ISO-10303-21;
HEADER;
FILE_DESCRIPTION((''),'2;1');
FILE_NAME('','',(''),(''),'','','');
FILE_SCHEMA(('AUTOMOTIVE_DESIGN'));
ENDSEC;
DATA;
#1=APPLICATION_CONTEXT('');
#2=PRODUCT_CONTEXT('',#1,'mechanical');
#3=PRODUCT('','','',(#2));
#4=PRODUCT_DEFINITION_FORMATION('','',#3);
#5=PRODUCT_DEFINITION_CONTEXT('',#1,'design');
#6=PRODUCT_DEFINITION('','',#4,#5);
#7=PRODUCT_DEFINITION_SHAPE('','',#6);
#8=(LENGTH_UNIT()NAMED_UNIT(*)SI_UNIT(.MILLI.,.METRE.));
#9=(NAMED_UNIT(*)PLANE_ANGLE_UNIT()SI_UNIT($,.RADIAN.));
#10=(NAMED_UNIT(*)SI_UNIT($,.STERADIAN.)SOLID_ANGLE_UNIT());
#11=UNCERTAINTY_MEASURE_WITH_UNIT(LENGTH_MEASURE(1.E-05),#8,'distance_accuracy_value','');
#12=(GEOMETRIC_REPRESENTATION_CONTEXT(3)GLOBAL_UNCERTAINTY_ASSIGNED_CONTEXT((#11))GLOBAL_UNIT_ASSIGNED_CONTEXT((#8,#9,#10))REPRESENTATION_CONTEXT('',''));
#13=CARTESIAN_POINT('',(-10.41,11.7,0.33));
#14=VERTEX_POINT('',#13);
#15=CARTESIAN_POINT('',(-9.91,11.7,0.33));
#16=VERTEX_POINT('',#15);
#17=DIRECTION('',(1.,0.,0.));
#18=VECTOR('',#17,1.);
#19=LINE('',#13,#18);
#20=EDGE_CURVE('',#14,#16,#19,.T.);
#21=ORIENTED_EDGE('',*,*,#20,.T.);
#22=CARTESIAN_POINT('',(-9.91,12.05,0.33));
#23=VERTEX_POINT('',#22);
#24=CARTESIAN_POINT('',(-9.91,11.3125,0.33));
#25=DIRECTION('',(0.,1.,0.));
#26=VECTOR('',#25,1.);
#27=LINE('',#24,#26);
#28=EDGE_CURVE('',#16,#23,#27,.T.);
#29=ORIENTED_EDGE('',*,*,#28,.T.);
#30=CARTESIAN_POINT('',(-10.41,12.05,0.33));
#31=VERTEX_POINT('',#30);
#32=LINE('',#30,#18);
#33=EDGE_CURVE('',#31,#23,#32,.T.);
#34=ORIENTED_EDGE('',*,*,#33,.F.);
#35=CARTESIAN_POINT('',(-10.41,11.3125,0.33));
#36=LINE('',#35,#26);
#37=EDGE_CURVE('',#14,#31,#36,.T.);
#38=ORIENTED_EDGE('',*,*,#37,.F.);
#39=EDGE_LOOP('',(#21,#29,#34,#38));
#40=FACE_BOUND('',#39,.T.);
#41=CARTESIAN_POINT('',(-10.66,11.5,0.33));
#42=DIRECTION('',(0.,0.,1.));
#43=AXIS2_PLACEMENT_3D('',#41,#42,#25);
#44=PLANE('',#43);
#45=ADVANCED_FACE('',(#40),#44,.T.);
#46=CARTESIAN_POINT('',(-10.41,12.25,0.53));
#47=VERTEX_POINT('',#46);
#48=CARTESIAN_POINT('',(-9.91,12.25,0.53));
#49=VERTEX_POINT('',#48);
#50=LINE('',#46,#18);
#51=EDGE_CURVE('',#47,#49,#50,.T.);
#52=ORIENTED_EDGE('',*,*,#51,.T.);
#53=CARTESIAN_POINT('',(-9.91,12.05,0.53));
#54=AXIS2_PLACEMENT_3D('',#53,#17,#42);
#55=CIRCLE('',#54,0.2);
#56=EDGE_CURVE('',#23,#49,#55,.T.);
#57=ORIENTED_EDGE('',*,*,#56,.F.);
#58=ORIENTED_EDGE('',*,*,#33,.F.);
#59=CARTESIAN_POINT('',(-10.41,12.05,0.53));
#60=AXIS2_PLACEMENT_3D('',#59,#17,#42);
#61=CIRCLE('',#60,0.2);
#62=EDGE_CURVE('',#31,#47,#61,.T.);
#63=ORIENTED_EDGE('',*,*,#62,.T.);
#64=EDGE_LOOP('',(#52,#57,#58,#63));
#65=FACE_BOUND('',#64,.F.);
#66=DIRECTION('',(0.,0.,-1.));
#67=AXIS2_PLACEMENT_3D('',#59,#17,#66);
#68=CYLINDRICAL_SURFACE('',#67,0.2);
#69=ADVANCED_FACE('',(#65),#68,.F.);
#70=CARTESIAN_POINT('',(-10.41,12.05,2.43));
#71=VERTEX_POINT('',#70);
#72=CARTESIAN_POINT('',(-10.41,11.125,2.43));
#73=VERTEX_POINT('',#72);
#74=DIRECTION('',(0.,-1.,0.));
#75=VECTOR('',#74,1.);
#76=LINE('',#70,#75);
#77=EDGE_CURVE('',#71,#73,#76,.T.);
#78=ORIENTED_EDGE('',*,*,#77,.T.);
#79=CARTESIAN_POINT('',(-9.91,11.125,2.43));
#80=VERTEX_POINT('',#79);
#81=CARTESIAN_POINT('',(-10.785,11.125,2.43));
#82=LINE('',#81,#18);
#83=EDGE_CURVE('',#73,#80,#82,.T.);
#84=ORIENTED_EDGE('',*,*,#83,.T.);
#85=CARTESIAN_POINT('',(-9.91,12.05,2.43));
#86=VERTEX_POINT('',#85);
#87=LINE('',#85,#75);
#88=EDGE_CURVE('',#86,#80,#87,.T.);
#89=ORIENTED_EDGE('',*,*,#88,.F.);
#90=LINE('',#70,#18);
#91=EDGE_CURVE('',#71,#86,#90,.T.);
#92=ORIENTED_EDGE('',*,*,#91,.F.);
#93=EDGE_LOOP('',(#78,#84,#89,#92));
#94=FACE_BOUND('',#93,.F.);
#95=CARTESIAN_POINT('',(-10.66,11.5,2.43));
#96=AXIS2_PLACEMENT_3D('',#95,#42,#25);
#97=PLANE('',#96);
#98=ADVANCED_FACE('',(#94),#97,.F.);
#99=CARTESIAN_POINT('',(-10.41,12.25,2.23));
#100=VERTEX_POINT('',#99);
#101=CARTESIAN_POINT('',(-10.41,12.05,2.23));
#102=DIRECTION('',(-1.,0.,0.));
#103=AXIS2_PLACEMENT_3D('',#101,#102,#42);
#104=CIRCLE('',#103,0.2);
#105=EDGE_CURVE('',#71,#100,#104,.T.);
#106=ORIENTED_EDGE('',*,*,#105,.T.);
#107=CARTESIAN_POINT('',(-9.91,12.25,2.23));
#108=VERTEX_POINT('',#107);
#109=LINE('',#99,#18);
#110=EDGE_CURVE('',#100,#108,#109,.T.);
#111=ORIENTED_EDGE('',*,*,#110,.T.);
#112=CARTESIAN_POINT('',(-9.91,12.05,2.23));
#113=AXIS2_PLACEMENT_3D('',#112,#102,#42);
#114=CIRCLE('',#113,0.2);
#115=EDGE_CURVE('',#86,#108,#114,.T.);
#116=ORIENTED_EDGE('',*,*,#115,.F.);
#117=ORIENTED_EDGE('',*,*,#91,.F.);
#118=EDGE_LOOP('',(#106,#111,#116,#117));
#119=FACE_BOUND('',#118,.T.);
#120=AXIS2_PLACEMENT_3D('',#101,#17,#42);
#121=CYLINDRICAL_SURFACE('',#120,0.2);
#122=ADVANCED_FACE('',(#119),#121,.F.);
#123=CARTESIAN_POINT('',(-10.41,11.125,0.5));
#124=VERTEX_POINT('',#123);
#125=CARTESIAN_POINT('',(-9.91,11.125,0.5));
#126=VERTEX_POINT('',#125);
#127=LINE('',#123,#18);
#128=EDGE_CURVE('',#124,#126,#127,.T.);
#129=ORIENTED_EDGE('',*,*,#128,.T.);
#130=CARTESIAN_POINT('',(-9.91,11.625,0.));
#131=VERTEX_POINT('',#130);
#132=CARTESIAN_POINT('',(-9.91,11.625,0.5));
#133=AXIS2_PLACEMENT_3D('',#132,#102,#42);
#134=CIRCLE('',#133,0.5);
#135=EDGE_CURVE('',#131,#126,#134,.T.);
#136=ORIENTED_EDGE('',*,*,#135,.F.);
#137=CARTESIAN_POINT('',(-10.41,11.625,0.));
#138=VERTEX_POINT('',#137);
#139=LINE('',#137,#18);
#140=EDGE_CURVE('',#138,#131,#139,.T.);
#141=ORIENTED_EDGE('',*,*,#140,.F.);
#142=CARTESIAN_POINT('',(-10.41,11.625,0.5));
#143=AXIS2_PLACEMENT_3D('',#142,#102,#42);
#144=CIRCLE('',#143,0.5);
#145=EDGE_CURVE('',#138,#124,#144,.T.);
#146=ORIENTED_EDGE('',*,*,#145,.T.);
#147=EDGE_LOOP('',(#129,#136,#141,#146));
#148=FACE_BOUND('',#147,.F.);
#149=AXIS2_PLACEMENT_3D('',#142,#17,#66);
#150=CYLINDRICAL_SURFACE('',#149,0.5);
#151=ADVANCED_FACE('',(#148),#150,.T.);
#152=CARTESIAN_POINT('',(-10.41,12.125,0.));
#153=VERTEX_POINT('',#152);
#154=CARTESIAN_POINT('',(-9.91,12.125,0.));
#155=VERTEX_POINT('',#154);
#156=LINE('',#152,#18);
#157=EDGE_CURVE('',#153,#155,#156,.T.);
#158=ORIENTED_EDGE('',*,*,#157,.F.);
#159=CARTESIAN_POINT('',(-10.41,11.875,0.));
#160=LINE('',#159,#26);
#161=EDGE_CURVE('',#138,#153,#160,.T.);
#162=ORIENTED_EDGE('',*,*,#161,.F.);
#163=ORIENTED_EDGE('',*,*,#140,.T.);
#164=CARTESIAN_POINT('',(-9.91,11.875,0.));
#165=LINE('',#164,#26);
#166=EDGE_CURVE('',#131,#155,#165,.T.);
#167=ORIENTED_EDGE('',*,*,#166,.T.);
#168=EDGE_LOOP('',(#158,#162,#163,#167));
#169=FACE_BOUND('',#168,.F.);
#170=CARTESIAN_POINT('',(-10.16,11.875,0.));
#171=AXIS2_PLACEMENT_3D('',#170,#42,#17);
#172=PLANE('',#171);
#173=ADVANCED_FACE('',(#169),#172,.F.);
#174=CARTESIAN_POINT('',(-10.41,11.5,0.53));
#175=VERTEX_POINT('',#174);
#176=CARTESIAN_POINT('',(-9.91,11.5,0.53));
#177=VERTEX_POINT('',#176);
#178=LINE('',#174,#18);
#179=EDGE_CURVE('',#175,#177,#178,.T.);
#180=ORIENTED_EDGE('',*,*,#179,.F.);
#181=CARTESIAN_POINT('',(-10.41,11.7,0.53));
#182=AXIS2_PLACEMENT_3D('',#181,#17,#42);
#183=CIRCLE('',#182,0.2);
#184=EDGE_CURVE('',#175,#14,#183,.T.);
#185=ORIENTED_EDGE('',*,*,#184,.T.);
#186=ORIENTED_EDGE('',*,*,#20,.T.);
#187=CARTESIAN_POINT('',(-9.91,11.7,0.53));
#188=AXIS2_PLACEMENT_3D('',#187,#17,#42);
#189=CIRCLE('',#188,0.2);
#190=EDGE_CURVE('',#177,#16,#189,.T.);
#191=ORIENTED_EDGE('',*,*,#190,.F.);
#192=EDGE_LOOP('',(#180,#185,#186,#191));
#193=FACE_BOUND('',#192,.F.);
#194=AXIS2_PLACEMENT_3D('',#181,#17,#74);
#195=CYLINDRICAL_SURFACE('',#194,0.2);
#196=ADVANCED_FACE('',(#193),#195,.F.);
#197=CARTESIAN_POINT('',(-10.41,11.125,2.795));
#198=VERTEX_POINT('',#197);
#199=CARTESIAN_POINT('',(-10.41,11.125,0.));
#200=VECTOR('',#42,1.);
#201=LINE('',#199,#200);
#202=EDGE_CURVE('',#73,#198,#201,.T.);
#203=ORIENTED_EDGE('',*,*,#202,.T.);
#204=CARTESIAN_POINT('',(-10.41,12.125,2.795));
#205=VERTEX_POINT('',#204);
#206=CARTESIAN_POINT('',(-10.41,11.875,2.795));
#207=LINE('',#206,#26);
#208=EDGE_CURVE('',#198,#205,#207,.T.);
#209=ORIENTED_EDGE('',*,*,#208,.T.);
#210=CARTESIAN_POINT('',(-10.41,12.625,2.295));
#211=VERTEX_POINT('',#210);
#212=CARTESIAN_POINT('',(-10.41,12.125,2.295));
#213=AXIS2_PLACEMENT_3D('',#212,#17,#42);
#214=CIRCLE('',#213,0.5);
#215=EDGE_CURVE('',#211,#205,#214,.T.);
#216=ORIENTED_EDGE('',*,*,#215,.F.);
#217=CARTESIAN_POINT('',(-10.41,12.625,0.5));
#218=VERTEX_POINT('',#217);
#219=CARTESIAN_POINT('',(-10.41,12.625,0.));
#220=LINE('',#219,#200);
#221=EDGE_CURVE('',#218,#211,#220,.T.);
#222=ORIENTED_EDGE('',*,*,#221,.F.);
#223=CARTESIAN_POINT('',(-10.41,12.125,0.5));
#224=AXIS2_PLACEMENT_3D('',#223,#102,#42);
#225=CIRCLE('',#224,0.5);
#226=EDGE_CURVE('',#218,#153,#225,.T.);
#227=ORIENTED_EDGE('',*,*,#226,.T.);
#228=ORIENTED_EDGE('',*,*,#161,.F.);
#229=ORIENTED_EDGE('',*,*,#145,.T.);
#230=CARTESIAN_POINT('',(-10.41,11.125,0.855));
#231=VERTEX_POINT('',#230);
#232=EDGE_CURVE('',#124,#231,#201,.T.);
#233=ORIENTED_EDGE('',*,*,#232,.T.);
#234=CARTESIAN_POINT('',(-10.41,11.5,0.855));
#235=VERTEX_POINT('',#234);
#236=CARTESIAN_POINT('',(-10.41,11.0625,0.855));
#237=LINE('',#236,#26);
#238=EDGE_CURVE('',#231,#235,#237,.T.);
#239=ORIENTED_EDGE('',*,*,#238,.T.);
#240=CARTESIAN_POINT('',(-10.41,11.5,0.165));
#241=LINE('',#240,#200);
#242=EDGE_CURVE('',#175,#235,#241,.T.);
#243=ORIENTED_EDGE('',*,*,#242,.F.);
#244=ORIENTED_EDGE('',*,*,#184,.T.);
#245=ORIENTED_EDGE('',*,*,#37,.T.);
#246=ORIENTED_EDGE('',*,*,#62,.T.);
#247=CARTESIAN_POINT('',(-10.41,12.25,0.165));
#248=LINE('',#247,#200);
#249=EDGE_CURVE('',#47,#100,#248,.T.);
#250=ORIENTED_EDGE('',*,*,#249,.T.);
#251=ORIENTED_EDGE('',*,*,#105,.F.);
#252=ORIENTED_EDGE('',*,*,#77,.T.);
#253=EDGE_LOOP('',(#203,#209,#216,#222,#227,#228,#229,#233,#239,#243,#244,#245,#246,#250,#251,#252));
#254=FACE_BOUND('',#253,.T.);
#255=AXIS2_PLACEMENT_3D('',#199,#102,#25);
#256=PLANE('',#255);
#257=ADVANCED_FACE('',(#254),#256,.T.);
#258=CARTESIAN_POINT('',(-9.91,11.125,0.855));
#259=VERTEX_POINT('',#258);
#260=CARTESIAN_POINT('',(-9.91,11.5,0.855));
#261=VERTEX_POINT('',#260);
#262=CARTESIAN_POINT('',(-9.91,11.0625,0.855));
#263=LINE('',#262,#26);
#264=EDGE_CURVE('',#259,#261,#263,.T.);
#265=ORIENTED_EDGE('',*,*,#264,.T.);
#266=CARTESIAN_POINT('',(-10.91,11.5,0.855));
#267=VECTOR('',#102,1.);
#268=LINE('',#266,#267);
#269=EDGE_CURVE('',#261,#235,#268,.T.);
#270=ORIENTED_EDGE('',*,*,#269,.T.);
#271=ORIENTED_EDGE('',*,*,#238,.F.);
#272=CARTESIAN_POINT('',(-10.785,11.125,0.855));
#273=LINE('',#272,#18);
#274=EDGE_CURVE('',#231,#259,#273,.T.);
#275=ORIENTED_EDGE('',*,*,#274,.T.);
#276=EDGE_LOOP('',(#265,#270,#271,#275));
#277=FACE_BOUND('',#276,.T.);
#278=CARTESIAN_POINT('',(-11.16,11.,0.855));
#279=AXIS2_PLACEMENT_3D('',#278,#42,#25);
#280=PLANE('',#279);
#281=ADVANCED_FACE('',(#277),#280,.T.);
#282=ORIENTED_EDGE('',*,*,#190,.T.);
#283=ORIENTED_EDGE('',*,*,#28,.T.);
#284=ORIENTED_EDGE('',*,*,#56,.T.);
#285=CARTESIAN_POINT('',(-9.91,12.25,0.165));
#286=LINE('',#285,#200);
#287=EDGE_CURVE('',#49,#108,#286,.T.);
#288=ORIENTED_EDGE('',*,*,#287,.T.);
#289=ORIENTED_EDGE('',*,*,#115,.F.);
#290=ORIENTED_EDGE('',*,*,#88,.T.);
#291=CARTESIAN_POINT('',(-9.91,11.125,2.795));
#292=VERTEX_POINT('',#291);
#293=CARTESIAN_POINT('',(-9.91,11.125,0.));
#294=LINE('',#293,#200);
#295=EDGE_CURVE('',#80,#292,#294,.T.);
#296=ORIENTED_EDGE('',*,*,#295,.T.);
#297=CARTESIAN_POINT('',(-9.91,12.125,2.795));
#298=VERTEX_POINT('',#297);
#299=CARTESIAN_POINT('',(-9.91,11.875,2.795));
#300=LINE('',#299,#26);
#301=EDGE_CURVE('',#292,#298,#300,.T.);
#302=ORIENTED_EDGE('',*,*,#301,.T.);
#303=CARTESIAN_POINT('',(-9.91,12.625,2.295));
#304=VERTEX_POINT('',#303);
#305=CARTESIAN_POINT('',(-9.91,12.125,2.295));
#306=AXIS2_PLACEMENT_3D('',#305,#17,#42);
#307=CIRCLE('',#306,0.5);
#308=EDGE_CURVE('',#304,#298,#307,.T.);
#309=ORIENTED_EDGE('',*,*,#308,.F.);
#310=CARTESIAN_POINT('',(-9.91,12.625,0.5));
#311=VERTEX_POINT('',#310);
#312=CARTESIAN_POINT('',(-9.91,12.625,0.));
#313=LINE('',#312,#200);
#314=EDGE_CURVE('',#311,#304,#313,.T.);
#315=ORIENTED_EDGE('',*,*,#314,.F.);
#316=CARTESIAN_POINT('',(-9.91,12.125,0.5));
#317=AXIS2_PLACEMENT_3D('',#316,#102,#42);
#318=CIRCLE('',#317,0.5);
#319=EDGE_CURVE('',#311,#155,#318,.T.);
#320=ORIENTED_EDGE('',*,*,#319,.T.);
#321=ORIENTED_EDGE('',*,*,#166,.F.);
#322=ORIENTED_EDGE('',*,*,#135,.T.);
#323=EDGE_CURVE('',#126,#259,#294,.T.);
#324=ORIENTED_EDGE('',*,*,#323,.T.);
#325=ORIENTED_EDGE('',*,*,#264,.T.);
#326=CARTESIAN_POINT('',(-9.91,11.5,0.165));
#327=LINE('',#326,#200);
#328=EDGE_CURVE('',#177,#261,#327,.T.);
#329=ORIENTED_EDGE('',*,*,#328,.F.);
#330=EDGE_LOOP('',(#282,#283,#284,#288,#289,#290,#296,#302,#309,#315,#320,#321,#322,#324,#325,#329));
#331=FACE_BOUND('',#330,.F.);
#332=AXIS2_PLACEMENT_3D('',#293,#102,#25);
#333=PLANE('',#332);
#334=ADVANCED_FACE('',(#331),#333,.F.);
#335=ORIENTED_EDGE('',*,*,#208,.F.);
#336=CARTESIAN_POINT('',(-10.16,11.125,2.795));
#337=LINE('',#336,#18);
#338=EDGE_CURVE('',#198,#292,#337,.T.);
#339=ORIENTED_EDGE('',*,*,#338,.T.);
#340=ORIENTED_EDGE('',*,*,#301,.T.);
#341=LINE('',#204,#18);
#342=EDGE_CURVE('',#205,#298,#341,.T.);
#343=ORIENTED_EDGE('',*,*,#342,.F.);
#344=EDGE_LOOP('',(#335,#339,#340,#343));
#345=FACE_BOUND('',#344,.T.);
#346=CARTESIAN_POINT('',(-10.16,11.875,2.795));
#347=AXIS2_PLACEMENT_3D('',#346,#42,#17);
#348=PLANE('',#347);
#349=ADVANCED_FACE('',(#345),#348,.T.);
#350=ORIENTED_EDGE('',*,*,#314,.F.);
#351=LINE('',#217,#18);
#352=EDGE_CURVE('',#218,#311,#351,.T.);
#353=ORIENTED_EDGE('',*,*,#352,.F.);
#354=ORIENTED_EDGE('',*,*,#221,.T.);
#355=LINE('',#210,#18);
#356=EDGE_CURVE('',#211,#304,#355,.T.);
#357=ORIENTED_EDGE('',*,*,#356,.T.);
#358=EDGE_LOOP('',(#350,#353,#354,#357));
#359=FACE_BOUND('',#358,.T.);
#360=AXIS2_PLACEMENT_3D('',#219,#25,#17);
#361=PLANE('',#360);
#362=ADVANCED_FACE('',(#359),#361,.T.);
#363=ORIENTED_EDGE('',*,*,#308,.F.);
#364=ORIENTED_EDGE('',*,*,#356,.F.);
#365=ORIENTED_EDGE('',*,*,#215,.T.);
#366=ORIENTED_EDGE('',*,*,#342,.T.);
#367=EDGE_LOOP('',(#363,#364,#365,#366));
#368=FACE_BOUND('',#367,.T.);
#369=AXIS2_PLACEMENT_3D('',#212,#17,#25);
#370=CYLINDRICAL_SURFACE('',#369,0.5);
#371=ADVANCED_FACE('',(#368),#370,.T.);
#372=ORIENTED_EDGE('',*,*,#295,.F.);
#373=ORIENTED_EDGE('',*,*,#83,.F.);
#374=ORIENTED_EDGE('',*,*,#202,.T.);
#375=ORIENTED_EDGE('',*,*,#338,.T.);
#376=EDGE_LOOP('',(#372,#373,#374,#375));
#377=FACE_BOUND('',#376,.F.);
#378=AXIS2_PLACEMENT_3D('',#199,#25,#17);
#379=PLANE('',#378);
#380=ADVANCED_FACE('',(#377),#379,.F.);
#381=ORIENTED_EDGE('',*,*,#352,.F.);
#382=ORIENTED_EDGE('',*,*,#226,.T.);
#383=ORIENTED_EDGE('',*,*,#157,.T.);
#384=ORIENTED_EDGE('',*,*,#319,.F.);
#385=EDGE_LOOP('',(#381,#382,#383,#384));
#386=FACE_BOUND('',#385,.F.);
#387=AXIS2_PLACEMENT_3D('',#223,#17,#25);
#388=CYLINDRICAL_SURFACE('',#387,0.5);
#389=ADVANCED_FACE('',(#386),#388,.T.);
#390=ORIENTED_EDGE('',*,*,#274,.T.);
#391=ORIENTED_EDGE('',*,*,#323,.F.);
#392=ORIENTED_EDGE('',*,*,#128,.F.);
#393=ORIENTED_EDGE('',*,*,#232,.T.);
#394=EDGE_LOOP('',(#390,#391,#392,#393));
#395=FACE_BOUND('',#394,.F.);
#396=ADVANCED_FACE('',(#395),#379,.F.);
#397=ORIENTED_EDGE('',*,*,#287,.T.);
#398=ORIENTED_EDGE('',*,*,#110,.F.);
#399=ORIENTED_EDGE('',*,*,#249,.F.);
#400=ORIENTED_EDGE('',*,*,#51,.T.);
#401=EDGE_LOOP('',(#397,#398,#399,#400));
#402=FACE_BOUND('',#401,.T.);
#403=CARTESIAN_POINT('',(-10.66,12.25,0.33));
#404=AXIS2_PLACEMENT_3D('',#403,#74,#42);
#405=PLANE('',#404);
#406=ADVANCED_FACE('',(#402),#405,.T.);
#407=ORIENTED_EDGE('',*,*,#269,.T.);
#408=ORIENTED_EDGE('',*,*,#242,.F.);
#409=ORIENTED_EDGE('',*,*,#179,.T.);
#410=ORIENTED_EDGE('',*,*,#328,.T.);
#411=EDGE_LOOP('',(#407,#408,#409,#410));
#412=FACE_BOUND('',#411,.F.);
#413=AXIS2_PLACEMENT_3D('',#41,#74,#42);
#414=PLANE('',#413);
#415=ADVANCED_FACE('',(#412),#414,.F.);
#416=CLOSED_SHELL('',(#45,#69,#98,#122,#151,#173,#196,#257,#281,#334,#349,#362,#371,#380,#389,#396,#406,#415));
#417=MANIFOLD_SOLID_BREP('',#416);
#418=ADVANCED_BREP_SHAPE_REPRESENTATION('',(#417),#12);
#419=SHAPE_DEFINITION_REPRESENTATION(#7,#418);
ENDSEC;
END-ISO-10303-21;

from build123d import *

# Parameters (mm, degrees)
BOX077_W     = 0.5
BOX077_H     = 1.5
BOX077_DEPTH = 2.795
FILLET222_R  = 0.5
FILLET217_R  = 0.5
FILLET223_R  = 0.5
BOX085_W     = 0.75
BOX085_H     = 2.1
BOX085_DEPTH = 1
FILLET213_R  = 0.2
FILLET229_R  = 0.2
FILLET219_R  = 0.2
FILLET224_R  = 0.2
BOX081_W     = 1
BOX081_H     = 1.575
BOX081_DEPTH = 3


with BuildPart() as part:
    # Box077 → Box077 (join)
    with BuildSketch(Plane(origin=(-0.25, 11.125, 0), x_dir=(1, 0, 0), z_dir=(0, 0, 1))):
        with Locations((0.25, 0.75)):
            Rectangle(BOX077_W, BOX077_H)
    extrude(amount=BOX077_DEPTH)

    # Fillet222
    fillet222_edges = [part.edges().sort_by_distance(p)[0] for p in [
        (0, 12.625, 0),
    ]]
    fillet(fillet222_edges, radius=FILLET222_R)

    # Fillet217
    fillet217_edges = [part.edges().sort_by_distance(p)[0] for p in [
        (0, 12.625, 2.795),
    ]]
    fillet(fillet217_edges, radius=FILLET217_R)

    # Fillet223
    fillet223_edges = [part.edges().sort_by_distance(p)[0] for p in [
        (0, 11.125, 0),
    ]]
    fillet(fillet223_edges, radius=FILLET223_R)

    # Box085 → Box085 (cut)
    with BuildSketch(Plane(origin=(-0.5, 11.5, 0.33), x_dir=(0, 1, 0), z_dir=(1, 0, 0))):
        with Locations((0.375, 1.05)):
            Rectangle(BOX085_W, BOX085_H)
    extrude(amount=BOX085_DEPTH, mode=Mode.SUBTRACT)

    # Fillet213
    fillet213_edges = [part.edges().sort_by_distance(p)[0] for p in [
        (0, 11.5, 0.33),
    ]]
    fillet(fillet213_edges, radius=FILLET213_R)

    # Fillet229
    fillet229_edges = [part.edges().sort_by_distance(p)[0] for p in [
        (0, 12.25, 0.33),
    ]]
    fillet(fillet229_edges, radius=FILLET229_R)

    # Fillet219
    fillet219_edges = [part.edges().sort_by_distance(p)[0] for p in [
        (0, 11.5, 2.43),
    ]]
    fillet(fillet219_edges, radius=FILLET219_R)

    # Fillet224
    fillet224_edges = [part.edges().sort_by_distance(p)[0] for p in [
        (0, 12.25, 2.43),
    ]]
    fillet(fillet224_edges, radius=FILLET224_R)

    # Box081 → Box081 (cut)
    with BuildSketch(Plane(origin=(-1, 11, 0.855), x_dir=(0, 1, 0), z_dir=(1, 0, 0))):
        with Locations((0.5, 0.7875)):
            Rectangle(BOX081_W, BOX081_H)
    extrude(amount=BOX081_DEPTH, mode=Mode.SUBTRACT)


with BuildPart() as part_1:
    # Body033 placement: moved
    add(part.part.moved(Location((-10.16, 0, 0))))


solid = part_1.part
